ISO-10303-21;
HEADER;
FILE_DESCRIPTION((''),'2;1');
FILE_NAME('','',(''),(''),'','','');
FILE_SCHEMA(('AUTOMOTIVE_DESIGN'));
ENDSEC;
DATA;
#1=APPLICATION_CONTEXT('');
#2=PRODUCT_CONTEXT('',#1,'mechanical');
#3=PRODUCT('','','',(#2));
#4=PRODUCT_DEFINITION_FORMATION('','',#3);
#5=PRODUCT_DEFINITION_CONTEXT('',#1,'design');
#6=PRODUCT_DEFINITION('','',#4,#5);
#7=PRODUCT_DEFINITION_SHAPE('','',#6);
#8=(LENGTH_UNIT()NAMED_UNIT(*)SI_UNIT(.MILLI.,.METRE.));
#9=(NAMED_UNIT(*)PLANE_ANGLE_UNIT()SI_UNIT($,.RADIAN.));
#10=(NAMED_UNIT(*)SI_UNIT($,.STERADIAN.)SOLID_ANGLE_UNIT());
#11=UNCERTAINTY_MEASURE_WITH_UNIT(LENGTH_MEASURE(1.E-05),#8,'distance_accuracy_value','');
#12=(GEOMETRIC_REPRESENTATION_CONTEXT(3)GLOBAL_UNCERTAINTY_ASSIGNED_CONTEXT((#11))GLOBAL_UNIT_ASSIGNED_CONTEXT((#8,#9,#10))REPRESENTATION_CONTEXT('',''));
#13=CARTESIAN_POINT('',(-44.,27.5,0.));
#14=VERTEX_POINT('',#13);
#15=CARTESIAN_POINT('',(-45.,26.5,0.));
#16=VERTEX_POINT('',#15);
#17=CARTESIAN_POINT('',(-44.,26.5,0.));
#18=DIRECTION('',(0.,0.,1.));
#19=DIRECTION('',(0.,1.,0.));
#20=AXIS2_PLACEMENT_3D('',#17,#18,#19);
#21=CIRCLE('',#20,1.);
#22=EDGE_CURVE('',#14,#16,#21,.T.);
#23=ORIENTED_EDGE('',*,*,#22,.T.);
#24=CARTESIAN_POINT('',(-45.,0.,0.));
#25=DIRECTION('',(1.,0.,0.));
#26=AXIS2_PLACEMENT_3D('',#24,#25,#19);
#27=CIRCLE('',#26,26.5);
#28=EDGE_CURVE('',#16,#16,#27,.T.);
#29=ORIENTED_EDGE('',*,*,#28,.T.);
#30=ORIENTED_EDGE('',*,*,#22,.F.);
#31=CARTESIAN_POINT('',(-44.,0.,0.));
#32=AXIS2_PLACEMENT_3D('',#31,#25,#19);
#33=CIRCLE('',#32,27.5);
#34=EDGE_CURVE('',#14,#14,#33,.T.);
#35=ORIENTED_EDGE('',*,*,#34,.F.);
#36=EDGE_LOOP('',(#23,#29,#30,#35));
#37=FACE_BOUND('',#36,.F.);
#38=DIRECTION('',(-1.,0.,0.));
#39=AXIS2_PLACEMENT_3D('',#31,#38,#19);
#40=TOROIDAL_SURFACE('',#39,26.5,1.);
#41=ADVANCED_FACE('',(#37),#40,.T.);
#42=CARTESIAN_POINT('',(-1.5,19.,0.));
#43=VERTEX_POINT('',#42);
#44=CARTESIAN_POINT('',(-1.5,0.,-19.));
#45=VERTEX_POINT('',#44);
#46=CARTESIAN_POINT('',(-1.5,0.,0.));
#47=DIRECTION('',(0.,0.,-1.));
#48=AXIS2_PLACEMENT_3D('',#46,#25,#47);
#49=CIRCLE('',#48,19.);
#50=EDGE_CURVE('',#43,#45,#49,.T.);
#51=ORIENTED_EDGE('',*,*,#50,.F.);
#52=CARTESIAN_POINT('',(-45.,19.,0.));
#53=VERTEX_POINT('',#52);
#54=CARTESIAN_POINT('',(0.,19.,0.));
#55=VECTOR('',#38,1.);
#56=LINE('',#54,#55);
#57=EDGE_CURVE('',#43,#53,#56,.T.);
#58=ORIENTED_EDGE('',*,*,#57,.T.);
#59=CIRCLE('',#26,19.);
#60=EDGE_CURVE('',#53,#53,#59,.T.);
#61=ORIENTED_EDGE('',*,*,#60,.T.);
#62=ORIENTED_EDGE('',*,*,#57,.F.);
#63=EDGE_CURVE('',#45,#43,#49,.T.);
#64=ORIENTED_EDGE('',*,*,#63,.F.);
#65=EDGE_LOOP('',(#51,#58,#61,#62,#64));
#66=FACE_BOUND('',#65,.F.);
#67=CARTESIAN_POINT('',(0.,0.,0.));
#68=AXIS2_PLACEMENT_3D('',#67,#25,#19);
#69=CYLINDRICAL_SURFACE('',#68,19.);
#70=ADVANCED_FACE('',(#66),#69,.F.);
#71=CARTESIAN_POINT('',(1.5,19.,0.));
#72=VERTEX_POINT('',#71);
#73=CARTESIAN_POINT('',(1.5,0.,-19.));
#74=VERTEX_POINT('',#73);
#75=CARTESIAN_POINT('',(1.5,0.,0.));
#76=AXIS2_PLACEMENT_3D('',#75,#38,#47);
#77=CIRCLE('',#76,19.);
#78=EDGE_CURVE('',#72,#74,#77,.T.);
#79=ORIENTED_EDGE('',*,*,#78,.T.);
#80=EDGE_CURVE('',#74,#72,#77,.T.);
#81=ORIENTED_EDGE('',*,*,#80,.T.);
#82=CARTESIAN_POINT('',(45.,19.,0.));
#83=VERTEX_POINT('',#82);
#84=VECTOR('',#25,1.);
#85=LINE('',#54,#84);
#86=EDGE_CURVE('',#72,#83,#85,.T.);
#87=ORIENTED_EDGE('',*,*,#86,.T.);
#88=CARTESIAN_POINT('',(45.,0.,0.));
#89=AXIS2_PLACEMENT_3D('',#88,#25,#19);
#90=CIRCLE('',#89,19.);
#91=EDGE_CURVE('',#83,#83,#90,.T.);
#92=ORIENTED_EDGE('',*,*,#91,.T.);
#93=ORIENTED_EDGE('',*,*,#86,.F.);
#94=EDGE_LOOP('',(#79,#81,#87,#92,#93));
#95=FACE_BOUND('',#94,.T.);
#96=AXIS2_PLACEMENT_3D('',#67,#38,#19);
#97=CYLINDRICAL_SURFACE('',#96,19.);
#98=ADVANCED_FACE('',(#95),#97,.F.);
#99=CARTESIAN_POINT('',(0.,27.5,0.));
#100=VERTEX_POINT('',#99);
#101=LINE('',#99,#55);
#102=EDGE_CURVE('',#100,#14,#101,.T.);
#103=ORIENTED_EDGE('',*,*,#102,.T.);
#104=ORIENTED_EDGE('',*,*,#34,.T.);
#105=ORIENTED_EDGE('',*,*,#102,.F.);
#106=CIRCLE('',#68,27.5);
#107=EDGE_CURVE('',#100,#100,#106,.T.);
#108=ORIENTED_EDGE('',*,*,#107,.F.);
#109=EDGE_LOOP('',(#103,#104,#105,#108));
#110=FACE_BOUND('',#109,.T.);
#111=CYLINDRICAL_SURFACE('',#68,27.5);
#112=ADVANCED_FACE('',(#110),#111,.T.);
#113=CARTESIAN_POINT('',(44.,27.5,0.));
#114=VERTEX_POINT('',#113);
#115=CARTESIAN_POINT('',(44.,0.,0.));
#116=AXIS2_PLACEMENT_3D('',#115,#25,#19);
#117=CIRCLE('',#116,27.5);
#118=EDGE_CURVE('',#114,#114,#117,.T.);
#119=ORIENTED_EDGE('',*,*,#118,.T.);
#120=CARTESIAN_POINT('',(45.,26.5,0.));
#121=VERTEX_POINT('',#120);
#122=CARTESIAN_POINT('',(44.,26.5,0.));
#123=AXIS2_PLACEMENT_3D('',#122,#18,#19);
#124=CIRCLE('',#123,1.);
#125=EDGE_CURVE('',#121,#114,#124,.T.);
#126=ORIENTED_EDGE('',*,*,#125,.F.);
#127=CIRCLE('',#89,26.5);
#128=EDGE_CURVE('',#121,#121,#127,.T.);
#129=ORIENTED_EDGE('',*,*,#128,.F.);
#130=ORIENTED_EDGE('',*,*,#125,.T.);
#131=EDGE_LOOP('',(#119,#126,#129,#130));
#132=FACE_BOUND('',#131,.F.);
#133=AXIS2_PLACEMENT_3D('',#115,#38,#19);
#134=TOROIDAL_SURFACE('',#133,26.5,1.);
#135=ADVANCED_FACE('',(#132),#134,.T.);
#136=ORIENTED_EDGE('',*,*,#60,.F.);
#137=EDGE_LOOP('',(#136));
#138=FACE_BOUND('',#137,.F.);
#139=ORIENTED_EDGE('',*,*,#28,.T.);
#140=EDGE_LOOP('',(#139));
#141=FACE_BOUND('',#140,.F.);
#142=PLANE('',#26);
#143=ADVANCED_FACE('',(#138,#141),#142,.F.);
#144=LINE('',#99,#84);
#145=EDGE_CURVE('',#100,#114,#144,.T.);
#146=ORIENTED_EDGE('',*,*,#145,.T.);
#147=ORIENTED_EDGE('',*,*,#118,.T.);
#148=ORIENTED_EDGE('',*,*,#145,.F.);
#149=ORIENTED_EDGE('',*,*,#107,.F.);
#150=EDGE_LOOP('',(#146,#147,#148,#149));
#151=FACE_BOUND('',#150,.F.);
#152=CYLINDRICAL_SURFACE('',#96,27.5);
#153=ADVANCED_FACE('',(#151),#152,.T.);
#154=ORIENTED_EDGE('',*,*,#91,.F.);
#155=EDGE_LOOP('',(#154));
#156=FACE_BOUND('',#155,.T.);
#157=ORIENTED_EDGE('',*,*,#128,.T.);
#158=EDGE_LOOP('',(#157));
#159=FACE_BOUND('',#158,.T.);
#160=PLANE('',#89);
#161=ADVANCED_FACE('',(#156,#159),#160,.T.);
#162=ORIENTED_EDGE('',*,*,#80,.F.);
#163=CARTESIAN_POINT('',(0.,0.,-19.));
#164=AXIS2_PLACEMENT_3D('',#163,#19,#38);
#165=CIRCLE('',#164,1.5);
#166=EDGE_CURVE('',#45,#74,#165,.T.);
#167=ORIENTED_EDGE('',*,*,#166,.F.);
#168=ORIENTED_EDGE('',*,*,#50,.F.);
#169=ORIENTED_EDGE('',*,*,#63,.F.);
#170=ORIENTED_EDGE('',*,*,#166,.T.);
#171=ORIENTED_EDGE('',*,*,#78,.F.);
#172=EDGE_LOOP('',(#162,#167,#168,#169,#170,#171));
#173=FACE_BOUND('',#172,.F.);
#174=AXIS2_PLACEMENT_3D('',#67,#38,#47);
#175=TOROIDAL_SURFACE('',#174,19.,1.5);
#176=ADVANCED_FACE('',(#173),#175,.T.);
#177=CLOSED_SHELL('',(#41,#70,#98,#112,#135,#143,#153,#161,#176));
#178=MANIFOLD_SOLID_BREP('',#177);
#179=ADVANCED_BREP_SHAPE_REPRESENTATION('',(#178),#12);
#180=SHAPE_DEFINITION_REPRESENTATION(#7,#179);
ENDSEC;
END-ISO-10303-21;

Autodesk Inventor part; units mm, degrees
ref_plane "YZ Plane" through (0, 0, 0) normal (1, 0, 0) x (0, 1, 0)
ref_plane "XZ Plane" through (0, 0, 0) normal (0, 1, 0) x (-1, 0, 0)
ref_plane "XY Plane" through (0, 0, 0) normal (0, 0, 1) x (1, 0, 0)
sketch "Sketch1" plane through (0, 0, 0) normal (0, 1, 0) x (-1, 0, 0)
  point P0 (0, 0)
sketch "Sketch2" plane through (0, 0, 0) normal (0, 1, 0) x (-1, 0, 0)
  line L0 (29.6036, 0) -> (-33.9054, 0)
  circle A0 centre (0, -19) radius 1.5
  point P0 (0, 0)
  dimension "d0" = 19
  dimension "d1" = 3
revolve "Revolution1" add sketch "Sketch2" angle 360 about axis through (-29.6036, 0, 0) along (1, 0, 0)
sketch "Sketch3" plane through (0, 0, 0) normal (1, 0, 0) x (0, 1, 0)
  circle A0 centre (0, 0) radius 19
  circle A1 centre (0, 0) radius 27.5
  dimension "d3" = 38
  dimension "d4" = 55
extrude "Extrusion1" add sketch "Sketch3" along normal mid plane 90
fillet "Fillet1" radius 1 1 edges at (45, -27.5, 0)
fillet "Fillet2" radius 1 1 edges at (-45, -27.5, 0)
properties part number "linker"
